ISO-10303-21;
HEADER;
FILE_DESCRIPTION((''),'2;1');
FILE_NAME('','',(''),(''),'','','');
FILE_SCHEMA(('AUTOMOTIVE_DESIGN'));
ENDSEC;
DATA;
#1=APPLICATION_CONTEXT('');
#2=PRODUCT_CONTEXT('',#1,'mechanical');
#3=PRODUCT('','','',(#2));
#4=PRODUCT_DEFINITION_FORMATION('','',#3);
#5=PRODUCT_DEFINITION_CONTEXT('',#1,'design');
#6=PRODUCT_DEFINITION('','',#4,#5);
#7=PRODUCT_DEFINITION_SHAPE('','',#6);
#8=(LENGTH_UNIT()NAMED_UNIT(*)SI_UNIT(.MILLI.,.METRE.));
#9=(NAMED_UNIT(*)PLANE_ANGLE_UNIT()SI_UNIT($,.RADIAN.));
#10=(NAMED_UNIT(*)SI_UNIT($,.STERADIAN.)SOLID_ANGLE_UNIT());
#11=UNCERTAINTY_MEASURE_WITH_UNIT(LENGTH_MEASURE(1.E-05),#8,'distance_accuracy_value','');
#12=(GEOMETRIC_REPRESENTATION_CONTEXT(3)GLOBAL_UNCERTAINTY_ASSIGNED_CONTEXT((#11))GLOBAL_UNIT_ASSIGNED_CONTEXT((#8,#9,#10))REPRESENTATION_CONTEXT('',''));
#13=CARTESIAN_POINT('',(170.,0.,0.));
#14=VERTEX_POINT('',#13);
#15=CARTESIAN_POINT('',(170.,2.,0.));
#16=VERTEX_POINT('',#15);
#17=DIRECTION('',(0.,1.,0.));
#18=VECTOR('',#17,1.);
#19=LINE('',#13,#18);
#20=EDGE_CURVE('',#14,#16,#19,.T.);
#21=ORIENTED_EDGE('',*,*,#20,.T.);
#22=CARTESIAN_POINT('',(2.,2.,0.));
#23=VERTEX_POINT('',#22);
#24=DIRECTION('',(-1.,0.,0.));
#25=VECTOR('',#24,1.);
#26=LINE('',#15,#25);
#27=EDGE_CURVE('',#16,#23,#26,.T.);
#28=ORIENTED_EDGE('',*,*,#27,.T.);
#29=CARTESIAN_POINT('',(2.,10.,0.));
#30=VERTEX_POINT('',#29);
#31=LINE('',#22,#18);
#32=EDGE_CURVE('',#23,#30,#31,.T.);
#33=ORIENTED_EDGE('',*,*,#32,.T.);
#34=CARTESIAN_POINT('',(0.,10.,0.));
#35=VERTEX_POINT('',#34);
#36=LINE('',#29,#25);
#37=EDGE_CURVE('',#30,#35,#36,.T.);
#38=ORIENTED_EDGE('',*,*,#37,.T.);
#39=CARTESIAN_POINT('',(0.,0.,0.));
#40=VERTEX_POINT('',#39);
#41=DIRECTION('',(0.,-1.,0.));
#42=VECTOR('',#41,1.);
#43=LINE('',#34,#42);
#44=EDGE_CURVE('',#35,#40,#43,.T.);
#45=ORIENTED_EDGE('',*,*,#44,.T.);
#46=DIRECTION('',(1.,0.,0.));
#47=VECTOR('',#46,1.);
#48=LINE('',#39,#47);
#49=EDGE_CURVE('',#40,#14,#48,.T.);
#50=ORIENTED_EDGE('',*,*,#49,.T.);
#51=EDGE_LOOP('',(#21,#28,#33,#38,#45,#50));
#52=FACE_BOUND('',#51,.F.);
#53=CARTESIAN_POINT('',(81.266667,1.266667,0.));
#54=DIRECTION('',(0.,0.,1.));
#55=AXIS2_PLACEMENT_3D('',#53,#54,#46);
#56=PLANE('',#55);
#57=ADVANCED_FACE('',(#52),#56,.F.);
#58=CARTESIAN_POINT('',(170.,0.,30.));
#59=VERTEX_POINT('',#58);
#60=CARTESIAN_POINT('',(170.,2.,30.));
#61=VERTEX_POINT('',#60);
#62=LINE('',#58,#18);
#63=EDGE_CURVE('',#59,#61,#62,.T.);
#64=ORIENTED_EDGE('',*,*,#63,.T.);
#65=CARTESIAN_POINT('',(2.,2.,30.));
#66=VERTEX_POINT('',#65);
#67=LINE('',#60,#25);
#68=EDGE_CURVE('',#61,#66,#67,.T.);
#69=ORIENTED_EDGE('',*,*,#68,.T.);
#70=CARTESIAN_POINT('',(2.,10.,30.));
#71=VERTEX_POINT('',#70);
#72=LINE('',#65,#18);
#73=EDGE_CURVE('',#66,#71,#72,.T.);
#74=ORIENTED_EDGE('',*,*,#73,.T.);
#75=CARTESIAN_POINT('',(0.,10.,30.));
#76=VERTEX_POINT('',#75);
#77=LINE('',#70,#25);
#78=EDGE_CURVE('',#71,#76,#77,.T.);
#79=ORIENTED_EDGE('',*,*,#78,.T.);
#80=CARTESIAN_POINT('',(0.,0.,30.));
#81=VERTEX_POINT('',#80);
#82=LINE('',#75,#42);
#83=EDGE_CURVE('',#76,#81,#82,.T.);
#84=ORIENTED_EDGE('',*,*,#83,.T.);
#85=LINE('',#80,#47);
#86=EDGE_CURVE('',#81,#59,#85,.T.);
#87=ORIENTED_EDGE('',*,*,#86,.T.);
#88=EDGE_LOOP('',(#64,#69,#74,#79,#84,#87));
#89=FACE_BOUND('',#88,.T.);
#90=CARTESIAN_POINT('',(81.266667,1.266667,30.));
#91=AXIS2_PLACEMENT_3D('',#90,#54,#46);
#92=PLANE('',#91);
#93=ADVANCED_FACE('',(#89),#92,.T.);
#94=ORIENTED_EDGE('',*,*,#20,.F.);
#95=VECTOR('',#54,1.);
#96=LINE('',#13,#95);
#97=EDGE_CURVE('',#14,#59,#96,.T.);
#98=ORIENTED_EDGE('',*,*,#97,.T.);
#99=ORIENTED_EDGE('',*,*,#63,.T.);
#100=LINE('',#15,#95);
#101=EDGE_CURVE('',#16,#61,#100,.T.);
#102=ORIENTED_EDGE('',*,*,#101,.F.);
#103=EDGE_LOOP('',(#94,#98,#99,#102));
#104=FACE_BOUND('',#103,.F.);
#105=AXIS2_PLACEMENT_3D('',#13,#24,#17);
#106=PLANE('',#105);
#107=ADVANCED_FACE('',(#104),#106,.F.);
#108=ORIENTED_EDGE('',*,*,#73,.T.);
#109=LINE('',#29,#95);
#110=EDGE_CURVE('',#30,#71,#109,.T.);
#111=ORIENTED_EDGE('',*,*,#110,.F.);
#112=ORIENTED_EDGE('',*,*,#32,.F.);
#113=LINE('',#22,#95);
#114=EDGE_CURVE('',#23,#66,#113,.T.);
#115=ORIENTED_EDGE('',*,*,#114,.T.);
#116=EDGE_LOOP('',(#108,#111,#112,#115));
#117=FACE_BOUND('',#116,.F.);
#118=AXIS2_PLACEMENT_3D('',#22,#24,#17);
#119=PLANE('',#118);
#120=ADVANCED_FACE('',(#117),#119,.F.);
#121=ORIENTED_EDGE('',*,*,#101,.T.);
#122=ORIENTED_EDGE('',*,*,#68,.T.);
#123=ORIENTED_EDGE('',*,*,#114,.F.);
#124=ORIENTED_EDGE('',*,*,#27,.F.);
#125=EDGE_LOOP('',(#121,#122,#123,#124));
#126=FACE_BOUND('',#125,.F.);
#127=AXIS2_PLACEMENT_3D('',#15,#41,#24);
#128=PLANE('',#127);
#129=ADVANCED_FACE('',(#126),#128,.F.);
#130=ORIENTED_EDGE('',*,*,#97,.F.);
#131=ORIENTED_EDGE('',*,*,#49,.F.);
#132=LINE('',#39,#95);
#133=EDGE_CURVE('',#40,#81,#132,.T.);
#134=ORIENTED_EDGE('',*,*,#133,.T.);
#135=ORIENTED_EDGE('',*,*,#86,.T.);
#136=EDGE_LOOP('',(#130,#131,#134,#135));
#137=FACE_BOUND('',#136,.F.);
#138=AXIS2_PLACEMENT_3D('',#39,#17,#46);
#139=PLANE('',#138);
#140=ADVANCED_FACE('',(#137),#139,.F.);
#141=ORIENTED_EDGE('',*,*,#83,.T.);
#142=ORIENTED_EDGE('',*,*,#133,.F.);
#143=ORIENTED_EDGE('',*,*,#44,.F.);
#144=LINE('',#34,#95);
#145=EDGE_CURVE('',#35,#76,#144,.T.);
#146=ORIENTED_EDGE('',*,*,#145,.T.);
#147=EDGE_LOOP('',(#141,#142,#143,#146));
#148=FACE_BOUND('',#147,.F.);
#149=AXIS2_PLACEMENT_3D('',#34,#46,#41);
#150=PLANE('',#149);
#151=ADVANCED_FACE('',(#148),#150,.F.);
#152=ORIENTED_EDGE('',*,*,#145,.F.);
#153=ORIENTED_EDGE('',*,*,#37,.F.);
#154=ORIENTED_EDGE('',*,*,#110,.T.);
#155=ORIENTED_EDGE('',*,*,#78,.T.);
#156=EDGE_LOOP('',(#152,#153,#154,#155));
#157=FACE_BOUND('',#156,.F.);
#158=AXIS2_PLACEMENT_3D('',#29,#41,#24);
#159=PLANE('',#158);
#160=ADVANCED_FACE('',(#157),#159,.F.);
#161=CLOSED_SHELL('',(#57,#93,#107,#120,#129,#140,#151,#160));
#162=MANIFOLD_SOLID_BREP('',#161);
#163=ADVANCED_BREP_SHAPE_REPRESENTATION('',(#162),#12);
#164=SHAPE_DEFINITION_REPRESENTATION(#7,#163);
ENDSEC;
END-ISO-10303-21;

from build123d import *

# Parameters (mm, degrees)
PAD_DEPTH = 30


with BuildPart() as part:
    # Sketch → Pad (new body)
    with BuildSketch(Plane.XY):
        Polygon((0, 0), (170, 0), (170, 2), (2, 2), (2, 10), (0, 10), align=None)
    extrude(amount=PAD_DEPTH)


solid = part.part
